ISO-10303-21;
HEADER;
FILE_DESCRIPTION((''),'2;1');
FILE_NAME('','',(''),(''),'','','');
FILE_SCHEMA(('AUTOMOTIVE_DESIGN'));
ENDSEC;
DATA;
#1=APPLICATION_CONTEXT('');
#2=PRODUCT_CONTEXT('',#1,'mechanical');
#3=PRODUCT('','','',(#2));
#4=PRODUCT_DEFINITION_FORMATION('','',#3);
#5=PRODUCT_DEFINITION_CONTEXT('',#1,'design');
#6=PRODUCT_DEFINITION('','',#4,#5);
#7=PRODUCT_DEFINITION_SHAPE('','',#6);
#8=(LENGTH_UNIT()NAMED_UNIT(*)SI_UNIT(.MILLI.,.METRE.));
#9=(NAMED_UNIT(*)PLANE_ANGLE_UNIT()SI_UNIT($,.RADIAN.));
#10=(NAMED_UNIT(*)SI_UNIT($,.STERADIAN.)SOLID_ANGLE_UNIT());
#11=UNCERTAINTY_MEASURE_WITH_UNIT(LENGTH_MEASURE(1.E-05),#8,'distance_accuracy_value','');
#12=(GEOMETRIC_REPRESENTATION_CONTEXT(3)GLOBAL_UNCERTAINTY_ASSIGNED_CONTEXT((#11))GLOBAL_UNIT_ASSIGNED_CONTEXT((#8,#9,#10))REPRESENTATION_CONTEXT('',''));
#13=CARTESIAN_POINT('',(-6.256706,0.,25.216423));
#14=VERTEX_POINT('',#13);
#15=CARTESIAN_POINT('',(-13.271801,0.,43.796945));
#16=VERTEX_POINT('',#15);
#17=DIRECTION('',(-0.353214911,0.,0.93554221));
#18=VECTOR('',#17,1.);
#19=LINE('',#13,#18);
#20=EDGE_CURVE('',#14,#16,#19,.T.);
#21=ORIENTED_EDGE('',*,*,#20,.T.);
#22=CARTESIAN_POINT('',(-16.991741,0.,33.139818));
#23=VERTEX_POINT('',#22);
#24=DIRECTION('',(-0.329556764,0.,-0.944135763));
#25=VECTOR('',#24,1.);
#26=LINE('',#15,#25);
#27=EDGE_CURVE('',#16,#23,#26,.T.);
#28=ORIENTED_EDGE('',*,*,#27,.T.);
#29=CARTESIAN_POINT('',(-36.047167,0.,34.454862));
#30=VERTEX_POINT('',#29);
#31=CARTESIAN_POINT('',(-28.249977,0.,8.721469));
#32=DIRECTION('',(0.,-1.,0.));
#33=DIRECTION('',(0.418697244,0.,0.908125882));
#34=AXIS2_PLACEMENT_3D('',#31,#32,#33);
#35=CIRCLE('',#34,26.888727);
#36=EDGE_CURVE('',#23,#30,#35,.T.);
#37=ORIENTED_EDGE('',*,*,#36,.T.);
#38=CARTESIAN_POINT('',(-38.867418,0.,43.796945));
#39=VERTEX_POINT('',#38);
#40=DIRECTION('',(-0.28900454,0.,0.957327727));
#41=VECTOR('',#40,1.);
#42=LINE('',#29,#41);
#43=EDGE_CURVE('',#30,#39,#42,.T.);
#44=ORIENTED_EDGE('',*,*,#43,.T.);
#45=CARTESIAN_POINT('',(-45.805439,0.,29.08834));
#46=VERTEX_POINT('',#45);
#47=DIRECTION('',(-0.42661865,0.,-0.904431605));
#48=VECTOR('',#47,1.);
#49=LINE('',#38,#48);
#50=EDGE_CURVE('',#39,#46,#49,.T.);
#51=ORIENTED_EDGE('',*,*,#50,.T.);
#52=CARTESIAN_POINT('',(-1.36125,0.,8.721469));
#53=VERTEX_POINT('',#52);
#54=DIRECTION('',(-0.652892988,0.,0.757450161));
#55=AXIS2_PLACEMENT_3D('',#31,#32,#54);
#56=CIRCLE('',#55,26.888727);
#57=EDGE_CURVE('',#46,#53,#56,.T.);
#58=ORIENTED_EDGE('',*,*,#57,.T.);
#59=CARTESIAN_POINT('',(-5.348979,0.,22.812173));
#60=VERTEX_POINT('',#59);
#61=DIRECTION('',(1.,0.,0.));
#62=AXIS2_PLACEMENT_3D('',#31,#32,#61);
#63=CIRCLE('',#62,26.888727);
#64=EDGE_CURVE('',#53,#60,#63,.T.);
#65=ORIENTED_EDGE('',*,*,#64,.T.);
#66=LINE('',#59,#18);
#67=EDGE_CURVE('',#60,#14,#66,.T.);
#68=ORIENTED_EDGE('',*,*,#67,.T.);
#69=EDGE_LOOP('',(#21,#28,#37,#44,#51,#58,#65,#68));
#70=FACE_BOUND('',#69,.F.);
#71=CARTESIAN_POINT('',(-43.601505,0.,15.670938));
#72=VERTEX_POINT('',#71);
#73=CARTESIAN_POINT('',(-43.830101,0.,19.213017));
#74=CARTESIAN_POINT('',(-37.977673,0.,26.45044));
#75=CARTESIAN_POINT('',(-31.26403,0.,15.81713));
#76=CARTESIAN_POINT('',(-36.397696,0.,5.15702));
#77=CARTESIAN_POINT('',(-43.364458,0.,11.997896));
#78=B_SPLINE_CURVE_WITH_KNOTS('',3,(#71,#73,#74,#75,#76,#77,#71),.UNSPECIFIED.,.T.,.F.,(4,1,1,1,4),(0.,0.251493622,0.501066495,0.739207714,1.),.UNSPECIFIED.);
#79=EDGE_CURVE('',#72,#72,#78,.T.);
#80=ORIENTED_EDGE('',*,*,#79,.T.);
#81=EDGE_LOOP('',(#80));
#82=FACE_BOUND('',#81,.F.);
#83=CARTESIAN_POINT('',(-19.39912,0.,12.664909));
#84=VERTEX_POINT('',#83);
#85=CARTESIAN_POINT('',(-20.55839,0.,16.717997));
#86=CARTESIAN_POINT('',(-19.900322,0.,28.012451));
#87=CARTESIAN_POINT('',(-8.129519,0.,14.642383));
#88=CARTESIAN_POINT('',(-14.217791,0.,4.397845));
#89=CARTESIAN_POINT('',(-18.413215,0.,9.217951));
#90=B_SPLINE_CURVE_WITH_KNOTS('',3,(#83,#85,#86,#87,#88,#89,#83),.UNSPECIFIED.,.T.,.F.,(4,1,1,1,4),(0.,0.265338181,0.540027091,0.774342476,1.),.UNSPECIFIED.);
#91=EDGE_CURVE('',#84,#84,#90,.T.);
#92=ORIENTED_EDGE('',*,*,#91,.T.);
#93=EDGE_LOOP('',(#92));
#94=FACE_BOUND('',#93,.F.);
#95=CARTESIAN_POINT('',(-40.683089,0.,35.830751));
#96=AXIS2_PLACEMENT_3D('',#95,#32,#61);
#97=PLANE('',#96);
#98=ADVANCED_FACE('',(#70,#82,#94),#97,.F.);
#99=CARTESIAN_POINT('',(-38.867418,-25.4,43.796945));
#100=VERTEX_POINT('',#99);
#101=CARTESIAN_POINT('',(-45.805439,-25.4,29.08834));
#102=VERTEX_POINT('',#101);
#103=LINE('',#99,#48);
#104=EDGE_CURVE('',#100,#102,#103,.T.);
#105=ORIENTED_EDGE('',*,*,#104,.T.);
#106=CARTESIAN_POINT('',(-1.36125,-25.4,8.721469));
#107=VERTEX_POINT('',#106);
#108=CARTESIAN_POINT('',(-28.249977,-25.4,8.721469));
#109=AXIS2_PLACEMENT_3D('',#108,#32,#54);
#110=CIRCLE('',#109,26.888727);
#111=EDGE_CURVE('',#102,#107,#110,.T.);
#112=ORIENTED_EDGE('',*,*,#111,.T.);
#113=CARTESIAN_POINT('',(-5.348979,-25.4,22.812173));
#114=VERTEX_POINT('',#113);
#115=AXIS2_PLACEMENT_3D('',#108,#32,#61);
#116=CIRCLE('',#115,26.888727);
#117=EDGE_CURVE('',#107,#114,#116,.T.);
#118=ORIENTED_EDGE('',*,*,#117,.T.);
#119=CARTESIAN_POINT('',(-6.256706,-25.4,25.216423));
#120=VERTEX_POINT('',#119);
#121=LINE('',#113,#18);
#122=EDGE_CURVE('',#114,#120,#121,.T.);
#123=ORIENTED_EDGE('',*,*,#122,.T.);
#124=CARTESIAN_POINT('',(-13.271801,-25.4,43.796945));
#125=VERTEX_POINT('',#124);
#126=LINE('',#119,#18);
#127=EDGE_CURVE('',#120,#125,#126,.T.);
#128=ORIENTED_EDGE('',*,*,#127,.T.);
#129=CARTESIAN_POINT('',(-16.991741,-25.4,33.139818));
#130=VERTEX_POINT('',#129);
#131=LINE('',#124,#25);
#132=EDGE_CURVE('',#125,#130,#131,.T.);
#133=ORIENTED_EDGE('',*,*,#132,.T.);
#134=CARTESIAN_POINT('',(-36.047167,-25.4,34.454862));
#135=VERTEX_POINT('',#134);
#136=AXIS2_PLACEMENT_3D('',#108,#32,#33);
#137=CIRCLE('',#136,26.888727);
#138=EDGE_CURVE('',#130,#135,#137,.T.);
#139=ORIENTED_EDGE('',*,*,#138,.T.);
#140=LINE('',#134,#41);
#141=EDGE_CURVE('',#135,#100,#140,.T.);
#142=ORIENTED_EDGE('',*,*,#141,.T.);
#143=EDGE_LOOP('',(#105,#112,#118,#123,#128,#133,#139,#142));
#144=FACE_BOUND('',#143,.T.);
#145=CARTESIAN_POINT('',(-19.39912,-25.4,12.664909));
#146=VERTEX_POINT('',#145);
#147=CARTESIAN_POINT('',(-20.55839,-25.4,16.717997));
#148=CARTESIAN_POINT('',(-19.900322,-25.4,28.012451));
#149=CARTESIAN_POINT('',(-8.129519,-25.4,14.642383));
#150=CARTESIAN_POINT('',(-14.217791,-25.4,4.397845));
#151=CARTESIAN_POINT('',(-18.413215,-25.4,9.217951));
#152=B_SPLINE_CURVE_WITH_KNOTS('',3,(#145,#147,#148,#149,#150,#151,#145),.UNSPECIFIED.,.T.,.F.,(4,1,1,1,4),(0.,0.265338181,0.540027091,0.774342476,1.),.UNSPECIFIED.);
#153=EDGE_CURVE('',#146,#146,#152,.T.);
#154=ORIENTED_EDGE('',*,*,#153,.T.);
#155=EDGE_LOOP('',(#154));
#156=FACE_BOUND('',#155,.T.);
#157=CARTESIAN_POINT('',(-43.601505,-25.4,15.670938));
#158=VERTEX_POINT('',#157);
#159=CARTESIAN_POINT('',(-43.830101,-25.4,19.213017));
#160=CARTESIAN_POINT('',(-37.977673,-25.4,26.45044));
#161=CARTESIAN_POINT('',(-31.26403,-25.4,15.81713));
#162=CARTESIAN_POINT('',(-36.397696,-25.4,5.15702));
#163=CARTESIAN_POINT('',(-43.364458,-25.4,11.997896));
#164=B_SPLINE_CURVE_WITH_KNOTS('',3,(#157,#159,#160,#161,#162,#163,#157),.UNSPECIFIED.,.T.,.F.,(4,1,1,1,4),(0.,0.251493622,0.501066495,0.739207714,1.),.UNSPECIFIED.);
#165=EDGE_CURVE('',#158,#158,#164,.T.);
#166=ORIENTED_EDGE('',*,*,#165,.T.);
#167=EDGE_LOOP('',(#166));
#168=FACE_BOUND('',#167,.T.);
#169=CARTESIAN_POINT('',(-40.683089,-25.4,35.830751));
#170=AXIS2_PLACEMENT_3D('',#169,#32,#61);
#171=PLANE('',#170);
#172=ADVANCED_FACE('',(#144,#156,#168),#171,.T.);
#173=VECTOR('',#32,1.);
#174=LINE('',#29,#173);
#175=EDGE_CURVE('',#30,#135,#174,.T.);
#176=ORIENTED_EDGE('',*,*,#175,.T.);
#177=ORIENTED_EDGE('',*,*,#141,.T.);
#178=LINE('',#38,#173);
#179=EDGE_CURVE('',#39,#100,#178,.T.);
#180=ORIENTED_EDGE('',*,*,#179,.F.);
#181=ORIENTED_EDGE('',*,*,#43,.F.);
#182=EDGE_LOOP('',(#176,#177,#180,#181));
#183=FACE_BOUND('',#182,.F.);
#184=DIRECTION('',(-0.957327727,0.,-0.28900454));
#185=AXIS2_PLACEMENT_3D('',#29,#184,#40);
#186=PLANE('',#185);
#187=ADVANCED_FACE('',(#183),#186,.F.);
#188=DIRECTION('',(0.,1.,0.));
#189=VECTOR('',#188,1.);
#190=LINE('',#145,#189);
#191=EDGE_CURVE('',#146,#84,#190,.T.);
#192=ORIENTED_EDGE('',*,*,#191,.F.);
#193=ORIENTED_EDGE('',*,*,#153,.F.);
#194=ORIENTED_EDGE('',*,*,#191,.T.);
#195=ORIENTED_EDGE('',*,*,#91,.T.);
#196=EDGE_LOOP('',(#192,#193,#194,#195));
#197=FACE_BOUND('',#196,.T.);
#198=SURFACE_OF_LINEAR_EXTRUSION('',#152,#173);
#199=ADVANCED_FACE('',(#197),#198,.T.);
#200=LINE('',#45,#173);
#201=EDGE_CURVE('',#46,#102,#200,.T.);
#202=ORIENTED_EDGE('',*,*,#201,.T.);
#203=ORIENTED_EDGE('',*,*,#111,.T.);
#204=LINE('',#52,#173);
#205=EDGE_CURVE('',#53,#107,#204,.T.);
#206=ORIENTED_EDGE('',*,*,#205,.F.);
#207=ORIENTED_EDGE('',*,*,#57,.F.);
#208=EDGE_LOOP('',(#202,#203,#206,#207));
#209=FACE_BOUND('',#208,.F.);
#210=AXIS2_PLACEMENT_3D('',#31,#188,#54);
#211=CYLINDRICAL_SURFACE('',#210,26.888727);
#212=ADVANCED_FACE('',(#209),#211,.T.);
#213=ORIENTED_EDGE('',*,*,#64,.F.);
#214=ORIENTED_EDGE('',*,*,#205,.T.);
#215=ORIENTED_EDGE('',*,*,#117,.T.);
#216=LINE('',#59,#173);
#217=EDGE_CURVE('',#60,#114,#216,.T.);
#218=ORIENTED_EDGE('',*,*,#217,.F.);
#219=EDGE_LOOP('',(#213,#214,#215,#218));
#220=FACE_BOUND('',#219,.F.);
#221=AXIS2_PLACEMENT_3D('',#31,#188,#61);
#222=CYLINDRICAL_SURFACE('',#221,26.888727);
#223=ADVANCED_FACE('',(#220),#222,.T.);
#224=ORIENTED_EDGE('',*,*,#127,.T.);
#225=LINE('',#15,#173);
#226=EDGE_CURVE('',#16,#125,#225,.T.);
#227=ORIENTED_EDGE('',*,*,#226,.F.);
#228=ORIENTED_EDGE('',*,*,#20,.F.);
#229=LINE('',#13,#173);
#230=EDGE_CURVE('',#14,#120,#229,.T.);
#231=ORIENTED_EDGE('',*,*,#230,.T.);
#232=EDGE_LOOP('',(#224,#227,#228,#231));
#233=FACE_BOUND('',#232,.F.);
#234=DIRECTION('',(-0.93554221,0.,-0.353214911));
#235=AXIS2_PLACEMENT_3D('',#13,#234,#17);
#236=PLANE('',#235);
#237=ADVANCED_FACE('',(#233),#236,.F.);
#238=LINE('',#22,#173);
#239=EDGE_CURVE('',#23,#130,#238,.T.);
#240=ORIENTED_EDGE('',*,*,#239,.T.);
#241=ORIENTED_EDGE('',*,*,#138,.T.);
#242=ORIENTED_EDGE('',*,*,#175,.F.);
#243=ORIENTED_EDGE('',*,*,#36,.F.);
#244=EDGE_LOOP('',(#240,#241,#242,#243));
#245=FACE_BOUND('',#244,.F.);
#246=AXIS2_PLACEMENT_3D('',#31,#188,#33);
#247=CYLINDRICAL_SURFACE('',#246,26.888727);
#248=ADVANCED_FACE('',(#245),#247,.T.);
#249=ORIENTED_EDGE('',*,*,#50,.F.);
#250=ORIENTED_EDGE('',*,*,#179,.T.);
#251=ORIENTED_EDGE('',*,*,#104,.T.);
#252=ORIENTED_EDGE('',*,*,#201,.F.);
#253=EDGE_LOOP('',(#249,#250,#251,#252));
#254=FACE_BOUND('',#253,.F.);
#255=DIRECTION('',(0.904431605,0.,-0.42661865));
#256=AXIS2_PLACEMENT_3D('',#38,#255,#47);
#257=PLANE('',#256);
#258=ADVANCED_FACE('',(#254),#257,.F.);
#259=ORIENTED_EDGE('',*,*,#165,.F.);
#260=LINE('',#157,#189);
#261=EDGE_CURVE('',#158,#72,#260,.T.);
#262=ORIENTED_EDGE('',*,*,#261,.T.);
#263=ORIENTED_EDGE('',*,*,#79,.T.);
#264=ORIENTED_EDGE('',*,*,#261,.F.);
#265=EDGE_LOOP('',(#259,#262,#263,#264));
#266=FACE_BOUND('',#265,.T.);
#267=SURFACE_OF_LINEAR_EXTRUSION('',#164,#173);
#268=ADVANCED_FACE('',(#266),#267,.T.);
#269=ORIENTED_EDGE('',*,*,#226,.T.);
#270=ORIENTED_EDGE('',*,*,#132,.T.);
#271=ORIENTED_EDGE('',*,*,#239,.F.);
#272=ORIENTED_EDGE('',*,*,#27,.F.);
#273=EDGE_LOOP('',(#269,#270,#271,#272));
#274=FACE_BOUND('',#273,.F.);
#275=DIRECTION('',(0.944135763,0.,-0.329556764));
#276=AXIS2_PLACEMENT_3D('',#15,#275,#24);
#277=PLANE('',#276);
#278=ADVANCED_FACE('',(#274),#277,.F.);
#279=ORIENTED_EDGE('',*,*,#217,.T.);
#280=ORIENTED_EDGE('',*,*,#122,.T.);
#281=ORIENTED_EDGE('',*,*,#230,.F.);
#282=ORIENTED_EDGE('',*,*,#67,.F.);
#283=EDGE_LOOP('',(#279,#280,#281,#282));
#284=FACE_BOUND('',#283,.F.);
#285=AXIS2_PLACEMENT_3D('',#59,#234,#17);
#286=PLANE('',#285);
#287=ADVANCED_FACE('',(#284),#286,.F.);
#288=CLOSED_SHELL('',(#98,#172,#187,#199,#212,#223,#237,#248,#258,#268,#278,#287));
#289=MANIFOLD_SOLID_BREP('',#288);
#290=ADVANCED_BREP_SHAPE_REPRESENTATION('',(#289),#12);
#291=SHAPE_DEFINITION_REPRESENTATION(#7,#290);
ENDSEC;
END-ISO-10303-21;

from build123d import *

# Parameters (mm, degrees)
F1_DEPTH      = 25.4
F4_DEPTH      = 25.4
F4_DEPTH_BACK = 25.4


with BuildPart() as f1:
    # F0 (on Front) → F1 (new body)
    with BuildSketch(Plane.XZ):
        with BuildLine():
            Line((-38.8674177229, 43.7969453633), (-45.8054386887, 29.0883398254))
            ThreePointArc((-45.8054386887, 29.0883398254), (-41.2071804211, 32.2823378336), (-36.0471665706, 34.4548615813))
            Line((-36.0471665706, 34.4548615813), (-38.8674177229, 43.7969453633))
        make_face()
        with BuildLine():
            ThreePointArc((-36.0471665706, 34.4548615813), (-41.2071804211, 32.2823378336), (-45.8054386887, 29.0883398254))
            ThreePointArc((-45.8054386887, 29.0883398254), (-39.451754684, -15.7228317616), (-1.3612498151, 8.7214689702))
            ThreePointArc((-1.3612498151, 8.7214689702), (-2.3773821218, 16.0435236141), (-5.3489792102, 22.812173392))
            ThreePointArc((-5.3489792102, 22.812173392), (-10.4068166043, 28.8367686087), (-16.9917411152, 33.1398182034))
            ThreePointArc((-16.9917411152, 33.1398182034), (-26.3987489938, 35.5463941766), (-36.0471665706, 34.4548615813))
        make_face()
        with BuildLine():
            Line((-13.2718011737, 43.7969453633), (-16.9917411152, 33.1398182034))
            ThreePointArc((-16.9917411152, 33.1398182034), (-10.4068166043, 28.8367686087), (-5.3489792102, 22.812173392))
            Line((-5.3489792102, 22.812173392), (-6.2567060813, 25.2164229751))
            Line((-6.2567060813, 25.2164229751), (-13.2718011737, 43.7969453633))
        make_face()
    extrude(amount=F1_DEPTH)

    # F3 (on face) → F4 (cut, two sides)
    with BuildSketch(Plane.XZ.offset(25.4)) as f4_sk:
        with BuildLine():
            add(Edge.make_bspline(
                [(-43.6015054584, 15.6709384173), (-43.8301012215, 19.2130171989), (-37.9776729192, 26.4504401405), (-31.2640295651, 15.8171303164), (-36.3976958419, 5.1570202595), (-43.3644576515, 11.9978956825), (-43.6015054584, 15.6709384173)],
                knots=[0, 0, 0, 0, 0.2514936223, 0.5010664949, 0.7392077141, 1, 1, 1, 1], degree=3))
        make_face()
        with BuildLine():
            add(Edge.make_bspline(
                [(-19.399119541, 12.6649094746), (-20.5583896188, 16.7179968612), (-19.9003224656, 28.0124505421), (-8.1295193877, 14.6423829602), (-14.2177906593, 4.3978450265), (-18.4132153869, 9.2179511098), (-19.399119541, 12.6649094746)],
                knots=[0, 0, 0, 0, 0.2653381809, 0.5400270912, 0.7743424765, 1, 1, 1, 1], degree=3))
        make_face()
    extrude(amount=F4_DEPTH, mode=Mode.SUBTRACT)
    extrude(f4_sk.sketch, amount=-F4_DEPTH_BACK, mode=Mode.SUBTRACT)


solid = f1.part
